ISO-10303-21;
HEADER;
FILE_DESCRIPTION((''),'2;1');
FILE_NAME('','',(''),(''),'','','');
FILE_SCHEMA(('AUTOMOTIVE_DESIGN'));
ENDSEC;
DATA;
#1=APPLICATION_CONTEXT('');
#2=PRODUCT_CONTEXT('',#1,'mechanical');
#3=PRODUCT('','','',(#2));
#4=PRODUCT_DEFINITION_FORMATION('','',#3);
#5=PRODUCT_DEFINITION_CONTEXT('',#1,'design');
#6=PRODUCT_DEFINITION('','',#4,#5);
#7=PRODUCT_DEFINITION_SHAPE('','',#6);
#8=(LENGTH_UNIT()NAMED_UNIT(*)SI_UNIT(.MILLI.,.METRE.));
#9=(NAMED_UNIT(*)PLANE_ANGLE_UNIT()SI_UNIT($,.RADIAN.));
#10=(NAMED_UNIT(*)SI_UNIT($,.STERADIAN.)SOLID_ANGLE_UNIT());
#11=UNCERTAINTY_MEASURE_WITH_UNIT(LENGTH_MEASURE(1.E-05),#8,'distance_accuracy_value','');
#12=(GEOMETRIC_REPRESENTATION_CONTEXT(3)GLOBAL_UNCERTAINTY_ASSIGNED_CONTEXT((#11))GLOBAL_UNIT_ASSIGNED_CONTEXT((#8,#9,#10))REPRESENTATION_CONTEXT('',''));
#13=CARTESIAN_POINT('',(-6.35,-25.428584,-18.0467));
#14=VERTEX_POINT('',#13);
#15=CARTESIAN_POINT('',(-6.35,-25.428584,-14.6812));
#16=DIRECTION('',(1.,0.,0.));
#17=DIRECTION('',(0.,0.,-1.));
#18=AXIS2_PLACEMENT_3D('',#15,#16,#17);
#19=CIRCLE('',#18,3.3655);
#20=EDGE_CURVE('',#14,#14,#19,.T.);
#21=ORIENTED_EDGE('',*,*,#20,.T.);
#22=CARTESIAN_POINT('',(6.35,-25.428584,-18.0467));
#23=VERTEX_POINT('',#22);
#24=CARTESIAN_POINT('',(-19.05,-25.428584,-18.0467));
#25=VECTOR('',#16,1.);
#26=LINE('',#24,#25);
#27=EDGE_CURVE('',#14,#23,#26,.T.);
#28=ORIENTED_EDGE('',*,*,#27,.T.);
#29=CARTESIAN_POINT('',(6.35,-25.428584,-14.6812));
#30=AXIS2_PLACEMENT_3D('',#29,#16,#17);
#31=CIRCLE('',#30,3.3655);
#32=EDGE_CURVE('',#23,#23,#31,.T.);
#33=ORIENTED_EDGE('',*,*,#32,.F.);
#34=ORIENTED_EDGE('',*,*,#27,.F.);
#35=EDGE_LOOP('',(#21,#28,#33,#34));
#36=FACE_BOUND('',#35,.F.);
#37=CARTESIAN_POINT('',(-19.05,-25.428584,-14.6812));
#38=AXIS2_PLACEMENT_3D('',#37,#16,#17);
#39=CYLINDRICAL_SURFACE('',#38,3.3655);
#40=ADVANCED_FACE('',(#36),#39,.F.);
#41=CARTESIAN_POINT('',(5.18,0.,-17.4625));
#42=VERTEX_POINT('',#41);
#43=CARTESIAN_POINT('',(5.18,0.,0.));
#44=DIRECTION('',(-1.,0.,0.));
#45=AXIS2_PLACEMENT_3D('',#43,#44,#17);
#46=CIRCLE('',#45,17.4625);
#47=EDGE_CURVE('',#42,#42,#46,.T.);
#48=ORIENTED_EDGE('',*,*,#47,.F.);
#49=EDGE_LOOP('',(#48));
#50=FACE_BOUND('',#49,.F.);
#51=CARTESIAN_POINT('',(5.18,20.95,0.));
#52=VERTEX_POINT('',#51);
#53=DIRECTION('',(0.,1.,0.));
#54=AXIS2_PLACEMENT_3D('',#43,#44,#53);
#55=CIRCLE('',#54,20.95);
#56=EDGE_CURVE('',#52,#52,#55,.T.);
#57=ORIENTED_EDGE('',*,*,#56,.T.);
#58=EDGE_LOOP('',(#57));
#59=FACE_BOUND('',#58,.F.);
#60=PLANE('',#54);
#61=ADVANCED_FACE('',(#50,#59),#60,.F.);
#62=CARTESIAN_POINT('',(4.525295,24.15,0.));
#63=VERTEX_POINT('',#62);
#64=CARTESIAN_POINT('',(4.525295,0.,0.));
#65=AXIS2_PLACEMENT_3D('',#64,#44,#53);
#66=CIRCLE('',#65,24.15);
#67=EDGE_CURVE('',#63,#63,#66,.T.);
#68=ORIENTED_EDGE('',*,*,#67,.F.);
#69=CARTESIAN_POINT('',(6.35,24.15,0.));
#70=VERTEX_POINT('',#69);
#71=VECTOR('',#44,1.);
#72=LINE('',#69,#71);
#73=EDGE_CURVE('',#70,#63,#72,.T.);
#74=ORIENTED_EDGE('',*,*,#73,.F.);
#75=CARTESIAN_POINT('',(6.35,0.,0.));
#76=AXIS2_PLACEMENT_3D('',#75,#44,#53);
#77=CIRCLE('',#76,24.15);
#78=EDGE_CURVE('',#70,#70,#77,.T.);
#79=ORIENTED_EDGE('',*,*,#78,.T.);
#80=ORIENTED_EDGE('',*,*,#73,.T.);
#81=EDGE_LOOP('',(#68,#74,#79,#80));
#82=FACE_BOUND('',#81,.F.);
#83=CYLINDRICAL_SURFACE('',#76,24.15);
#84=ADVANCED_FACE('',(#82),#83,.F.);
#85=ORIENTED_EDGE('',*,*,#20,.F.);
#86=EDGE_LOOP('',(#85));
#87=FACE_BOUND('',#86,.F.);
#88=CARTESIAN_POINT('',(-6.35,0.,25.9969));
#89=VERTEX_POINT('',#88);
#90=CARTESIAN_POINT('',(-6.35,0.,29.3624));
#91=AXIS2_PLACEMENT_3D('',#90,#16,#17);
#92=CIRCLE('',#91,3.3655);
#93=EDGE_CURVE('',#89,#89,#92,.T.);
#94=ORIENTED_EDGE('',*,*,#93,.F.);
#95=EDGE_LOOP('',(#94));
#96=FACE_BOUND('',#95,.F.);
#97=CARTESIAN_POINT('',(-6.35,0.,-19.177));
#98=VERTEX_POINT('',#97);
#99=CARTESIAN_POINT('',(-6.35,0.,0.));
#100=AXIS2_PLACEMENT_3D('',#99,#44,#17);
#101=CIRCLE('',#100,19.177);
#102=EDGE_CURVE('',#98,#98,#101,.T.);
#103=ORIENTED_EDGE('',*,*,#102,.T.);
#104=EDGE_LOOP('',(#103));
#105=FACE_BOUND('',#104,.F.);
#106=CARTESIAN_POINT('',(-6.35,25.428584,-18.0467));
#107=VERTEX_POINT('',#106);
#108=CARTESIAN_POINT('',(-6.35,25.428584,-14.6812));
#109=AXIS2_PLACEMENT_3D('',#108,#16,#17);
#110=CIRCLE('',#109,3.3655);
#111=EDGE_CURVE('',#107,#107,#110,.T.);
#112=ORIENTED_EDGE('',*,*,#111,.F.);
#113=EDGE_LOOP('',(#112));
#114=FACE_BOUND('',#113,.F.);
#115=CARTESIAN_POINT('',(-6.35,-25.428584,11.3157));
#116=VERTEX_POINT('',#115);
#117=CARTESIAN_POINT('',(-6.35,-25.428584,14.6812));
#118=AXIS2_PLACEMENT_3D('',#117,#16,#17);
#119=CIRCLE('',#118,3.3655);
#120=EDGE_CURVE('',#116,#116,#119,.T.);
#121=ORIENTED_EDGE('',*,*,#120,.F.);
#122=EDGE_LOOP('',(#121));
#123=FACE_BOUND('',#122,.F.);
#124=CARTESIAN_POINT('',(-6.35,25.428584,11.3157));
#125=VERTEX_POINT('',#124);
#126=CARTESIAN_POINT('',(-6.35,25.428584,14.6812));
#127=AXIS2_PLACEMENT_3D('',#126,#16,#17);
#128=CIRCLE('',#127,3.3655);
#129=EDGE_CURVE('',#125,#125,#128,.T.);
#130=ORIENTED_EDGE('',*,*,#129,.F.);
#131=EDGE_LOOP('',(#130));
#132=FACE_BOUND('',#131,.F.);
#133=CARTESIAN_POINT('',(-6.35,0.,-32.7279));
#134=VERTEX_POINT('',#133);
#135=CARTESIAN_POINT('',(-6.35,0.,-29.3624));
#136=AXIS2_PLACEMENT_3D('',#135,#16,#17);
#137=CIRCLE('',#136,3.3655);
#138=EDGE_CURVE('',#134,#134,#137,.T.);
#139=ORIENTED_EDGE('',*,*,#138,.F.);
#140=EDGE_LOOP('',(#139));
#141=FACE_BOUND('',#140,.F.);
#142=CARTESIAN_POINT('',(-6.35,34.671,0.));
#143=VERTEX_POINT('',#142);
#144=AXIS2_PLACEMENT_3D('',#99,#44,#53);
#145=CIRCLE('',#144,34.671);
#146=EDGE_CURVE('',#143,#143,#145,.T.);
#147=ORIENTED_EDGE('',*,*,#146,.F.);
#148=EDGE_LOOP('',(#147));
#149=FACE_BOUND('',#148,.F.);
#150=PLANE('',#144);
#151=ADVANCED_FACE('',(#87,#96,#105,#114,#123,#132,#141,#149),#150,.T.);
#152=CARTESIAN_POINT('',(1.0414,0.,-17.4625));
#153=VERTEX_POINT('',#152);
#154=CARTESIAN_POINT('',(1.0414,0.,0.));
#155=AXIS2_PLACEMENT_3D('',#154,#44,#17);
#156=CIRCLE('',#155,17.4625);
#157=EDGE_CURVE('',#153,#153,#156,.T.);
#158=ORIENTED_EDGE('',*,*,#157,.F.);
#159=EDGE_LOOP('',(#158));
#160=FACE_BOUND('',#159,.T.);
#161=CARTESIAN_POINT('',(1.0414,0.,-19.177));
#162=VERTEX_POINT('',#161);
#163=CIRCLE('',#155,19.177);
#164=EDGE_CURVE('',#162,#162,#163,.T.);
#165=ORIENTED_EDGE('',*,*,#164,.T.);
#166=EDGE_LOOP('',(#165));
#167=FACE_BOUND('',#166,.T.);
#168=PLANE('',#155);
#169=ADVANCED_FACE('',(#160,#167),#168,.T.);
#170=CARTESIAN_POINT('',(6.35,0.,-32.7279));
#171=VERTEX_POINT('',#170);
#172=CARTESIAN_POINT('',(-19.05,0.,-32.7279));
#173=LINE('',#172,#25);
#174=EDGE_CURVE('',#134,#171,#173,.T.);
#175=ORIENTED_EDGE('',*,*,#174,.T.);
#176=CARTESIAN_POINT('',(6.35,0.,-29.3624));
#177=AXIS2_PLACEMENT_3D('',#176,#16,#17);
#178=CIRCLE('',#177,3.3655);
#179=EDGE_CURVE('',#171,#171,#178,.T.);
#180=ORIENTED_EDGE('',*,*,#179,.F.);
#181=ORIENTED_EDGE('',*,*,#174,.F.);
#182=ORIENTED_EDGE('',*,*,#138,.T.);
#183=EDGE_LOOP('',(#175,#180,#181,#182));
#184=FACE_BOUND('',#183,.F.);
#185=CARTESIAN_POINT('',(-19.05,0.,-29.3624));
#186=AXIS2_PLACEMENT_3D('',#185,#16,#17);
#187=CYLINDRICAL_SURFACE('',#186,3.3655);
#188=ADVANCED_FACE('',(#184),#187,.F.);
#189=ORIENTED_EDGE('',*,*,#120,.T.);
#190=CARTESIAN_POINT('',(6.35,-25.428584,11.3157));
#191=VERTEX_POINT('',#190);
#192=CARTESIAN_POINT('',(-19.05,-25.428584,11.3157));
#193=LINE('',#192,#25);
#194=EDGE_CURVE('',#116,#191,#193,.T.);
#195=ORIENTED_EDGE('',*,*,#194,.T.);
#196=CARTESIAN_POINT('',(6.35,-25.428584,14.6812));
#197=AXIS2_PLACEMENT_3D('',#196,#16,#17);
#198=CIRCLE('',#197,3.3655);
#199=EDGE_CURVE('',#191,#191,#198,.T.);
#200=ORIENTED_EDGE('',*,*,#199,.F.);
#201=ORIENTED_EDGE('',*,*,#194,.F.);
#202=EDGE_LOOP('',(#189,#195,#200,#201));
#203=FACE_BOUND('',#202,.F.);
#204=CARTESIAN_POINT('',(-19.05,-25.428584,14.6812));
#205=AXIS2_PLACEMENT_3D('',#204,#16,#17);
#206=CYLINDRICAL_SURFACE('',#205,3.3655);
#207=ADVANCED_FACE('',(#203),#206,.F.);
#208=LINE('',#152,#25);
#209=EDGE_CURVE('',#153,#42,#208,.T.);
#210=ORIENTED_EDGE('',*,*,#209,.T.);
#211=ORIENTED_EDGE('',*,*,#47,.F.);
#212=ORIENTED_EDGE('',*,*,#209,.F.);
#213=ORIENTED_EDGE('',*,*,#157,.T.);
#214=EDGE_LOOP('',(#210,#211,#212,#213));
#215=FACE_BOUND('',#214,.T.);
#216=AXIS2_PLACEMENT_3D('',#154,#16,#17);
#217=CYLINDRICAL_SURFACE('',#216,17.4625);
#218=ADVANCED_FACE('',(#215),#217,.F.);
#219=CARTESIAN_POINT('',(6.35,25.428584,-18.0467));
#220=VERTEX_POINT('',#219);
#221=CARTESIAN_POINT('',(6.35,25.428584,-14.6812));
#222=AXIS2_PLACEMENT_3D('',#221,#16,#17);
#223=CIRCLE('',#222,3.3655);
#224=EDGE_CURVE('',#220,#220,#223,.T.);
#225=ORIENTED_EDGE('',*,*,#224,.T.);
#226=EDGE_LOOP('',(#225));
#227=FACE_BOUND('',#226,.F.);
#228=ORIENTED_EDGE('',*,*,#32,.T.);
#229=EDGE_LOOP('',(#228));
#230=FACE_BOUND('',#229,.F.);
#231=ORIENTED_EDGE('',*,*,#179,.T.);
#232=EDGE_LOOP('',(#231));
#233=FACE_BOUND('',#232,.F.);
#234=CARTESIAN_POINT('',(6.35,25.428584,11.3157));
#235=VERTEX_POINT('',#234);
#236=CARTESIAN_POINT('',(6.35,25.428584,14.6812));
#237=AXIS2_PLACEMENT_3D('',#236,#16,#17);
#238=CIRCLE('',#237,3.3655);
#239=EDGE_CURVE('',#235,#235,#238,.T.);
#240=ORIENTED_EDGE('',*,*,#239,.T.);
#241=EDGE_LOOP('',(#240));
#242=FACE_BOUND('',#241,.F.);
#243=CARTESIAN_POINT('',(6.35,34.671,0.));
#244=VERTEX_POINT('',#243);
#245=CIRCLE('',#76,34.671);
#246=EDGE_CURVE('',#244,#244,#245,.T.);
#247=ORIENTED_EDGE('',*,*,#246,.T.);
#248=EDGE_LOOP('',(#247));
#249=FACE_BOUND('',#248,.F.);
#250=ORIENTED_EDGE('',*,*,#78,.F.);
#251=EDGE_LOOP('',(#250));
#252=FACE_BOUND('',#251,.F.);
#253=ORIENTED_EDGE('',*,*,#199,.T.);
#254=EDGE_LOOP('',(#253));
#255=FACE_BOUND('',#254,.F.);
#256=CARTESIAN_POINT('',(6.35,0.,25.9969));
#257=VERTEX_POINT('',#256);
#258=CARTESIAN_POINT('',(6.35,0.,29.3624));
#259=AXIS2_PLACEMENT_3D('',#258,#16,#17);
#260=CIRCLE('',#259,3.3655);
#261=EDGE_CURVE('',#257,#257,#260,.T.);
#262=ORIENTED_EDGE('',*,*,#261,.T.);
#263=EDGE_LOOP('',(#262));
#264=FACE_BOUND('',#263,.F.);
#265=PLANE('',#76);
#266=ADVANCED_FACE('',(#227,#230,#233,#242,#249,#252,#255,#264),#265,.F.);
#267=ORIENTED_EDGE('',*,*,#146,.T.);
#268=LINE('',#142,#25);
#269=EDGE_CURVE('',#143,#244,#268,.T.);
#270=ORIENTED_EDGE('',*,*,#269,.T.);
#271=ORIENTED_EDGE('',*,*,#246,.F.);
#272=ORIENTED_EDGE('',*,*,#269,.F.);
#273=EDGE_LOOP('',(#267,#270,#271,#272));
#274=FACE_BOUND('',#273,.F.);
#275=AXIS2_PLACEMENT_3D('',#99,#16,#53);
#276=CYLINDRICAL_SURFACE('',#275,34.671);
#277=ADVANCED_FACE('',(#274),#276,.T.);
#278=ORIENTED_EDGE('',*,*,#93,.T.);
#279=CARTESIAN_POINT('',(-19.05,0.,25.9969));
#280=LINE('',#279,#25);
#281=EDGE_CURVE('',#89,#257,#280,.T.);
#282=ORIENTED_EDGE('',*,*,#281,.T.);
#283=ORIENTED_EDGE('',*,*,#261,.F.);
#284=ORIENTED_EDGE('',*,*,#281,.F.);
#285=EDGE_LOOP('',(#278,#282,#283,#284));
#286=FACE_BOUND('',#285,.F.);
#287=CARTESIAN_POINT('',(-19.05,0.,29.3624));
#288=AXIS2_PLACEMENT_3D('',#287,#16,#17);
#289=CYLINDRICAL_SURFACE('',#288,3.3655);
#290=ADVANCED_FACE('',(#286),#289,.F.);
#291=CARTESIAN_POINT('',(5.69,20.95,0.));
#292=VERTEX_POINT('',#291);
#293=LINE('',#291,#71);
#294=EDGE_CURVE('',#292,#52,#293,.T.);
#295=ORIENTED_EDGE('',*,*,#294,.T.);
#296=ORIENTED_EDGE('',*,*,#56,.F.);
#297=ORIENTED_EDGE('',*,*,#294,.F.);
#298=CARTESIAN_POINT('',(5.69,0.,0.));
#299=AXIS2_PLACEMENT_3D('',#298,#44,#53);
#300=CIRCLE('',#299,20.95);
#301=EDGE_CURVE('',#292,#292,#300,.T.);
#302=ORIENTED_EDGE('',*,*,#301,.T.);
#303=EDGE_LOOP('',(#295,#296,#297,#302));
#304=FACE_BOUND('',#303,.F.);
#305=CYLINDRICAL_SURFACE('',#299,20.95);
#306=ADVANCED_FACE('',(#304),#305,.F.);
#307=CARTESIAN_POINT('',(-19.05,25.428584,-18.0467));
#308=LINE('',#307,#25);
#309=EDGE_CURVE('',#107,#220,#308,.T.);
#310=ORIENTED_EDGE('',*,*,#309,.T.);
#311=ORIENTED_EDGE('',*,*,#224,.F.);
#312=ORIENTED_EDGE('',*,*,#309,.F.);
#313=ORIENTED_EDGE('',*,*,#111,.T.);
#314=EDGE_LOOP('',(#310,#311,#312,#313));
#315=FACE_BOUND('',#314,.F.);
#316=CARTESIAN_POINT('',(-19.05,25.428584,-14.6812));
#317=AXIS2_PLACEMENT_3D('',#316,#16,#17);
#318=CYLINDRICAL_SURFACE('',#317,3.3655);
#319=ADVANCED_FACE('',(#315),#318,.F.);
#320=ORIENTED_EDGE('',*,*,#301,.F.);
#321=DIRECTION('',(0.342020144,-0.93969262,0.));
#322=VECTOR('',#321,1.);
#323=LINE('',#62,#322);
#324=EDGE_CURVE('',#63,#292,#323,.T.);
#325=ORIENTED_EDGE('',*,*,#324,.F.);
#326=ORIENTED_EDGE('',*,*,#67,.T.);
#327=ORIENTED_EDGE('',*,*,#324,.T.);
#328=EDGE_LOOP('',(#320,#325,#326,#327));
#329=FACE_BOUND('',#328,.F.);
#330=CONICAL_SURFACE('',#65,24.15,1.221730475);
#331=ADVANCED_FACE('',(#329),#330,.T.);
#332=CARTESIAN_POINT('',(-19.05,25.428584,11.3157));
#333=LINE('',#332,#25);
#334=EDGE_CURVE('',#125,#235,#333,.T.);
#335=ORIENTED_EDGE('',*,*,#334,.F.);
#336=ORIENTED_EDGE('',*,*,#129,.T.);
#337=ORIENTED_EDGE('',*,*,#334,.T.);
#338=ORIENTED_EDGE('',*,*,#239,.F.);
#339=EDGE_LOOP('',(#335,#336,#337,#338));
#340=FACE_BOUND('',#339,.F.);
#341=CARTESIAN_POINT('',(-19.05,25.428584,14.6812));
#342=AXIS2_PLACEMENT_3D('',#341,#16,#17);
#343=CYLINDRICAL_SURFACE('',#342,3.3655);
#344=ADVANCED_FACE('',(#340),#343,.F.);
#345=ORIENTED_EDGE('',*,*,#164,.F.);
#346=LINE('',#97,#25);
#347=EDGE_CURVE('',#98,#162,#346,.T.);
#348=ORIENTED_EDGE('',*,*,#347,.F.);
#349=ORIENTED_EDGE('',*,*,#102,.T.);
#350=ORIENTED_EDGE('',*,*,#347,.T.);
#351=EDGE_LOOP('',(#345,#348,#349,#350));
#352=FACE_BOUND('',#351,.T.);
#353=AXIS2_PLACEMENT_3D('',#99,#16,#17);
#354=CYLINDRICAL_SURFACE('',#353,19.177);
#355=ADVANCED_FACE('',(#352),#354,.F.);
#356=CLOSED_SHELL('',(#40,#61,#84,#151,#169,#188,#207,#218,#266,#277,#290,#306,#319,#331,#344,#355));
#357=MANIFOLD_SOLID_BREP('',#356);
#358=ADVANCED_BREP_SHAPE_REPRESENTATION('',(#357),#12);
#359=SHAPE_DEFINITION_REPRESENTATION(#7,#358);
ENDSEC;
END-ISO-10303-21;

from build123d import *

# Parameters (mm, degrees)
F_1_4_CLEARANCE_HOLE1_D     = 6.731
F_1_4_CLEARANCE_HOLE1_DEPTH = 12.7


with BuildPart() as part:
    # Sketch1 → Revolve1 (revolve)
    with BuildSketch(Plane(origin=(0, 0, 0), x_dir=(-1, 0, 0), z_dir=(0, 0, -1))):
        Polygon((-5.18, 20.95), (-5.18, 0), (6.35, 0), (6.35, 34.671), (-6.35, 34.671), (-6.35, 24.15), (-4.525295248, 24.15), (-5.690000002, 20.95), align=None)
    revolve(axis=Axis((6.35, 0, 0), (-1, 0, 0)))

    # Sketch2 → 1-3/8-6 Tapped Hole1 (revolve, cut)
    with BuildSketch(Plane(origin=(5.18, 0, 0), x_dir=(0, 0, -1), z_dir=(0, 1, 0))):
        Polygon((0, 0), (0, 11.53), (19.177, 11.53), (19.177, 4.1386), (17.4625, 4.1386), (17.4625, 0), align=None)
    revolve(axis=Axis((11.53, 0, 0), (-1, 0, 0)), mode=Mode.SUBTRACT)

    # 1/4 Clearance Hole1
    with Locations(Plane.ZY.offset(6.35)):
        with Locations((14.6812, -25.428584316), (29.3624, 0), (14.6812, 25.428584316), (-14.6812, 25.428584316), (-14.6812, -25.428584316), (-29.3624, 0)):
            Hole(F_1_4_CLEARANCE_HOLE1_D / 2, depth=F_1_4_CLEARANCE_HOLE1_DEPTH)


solid = part.part
